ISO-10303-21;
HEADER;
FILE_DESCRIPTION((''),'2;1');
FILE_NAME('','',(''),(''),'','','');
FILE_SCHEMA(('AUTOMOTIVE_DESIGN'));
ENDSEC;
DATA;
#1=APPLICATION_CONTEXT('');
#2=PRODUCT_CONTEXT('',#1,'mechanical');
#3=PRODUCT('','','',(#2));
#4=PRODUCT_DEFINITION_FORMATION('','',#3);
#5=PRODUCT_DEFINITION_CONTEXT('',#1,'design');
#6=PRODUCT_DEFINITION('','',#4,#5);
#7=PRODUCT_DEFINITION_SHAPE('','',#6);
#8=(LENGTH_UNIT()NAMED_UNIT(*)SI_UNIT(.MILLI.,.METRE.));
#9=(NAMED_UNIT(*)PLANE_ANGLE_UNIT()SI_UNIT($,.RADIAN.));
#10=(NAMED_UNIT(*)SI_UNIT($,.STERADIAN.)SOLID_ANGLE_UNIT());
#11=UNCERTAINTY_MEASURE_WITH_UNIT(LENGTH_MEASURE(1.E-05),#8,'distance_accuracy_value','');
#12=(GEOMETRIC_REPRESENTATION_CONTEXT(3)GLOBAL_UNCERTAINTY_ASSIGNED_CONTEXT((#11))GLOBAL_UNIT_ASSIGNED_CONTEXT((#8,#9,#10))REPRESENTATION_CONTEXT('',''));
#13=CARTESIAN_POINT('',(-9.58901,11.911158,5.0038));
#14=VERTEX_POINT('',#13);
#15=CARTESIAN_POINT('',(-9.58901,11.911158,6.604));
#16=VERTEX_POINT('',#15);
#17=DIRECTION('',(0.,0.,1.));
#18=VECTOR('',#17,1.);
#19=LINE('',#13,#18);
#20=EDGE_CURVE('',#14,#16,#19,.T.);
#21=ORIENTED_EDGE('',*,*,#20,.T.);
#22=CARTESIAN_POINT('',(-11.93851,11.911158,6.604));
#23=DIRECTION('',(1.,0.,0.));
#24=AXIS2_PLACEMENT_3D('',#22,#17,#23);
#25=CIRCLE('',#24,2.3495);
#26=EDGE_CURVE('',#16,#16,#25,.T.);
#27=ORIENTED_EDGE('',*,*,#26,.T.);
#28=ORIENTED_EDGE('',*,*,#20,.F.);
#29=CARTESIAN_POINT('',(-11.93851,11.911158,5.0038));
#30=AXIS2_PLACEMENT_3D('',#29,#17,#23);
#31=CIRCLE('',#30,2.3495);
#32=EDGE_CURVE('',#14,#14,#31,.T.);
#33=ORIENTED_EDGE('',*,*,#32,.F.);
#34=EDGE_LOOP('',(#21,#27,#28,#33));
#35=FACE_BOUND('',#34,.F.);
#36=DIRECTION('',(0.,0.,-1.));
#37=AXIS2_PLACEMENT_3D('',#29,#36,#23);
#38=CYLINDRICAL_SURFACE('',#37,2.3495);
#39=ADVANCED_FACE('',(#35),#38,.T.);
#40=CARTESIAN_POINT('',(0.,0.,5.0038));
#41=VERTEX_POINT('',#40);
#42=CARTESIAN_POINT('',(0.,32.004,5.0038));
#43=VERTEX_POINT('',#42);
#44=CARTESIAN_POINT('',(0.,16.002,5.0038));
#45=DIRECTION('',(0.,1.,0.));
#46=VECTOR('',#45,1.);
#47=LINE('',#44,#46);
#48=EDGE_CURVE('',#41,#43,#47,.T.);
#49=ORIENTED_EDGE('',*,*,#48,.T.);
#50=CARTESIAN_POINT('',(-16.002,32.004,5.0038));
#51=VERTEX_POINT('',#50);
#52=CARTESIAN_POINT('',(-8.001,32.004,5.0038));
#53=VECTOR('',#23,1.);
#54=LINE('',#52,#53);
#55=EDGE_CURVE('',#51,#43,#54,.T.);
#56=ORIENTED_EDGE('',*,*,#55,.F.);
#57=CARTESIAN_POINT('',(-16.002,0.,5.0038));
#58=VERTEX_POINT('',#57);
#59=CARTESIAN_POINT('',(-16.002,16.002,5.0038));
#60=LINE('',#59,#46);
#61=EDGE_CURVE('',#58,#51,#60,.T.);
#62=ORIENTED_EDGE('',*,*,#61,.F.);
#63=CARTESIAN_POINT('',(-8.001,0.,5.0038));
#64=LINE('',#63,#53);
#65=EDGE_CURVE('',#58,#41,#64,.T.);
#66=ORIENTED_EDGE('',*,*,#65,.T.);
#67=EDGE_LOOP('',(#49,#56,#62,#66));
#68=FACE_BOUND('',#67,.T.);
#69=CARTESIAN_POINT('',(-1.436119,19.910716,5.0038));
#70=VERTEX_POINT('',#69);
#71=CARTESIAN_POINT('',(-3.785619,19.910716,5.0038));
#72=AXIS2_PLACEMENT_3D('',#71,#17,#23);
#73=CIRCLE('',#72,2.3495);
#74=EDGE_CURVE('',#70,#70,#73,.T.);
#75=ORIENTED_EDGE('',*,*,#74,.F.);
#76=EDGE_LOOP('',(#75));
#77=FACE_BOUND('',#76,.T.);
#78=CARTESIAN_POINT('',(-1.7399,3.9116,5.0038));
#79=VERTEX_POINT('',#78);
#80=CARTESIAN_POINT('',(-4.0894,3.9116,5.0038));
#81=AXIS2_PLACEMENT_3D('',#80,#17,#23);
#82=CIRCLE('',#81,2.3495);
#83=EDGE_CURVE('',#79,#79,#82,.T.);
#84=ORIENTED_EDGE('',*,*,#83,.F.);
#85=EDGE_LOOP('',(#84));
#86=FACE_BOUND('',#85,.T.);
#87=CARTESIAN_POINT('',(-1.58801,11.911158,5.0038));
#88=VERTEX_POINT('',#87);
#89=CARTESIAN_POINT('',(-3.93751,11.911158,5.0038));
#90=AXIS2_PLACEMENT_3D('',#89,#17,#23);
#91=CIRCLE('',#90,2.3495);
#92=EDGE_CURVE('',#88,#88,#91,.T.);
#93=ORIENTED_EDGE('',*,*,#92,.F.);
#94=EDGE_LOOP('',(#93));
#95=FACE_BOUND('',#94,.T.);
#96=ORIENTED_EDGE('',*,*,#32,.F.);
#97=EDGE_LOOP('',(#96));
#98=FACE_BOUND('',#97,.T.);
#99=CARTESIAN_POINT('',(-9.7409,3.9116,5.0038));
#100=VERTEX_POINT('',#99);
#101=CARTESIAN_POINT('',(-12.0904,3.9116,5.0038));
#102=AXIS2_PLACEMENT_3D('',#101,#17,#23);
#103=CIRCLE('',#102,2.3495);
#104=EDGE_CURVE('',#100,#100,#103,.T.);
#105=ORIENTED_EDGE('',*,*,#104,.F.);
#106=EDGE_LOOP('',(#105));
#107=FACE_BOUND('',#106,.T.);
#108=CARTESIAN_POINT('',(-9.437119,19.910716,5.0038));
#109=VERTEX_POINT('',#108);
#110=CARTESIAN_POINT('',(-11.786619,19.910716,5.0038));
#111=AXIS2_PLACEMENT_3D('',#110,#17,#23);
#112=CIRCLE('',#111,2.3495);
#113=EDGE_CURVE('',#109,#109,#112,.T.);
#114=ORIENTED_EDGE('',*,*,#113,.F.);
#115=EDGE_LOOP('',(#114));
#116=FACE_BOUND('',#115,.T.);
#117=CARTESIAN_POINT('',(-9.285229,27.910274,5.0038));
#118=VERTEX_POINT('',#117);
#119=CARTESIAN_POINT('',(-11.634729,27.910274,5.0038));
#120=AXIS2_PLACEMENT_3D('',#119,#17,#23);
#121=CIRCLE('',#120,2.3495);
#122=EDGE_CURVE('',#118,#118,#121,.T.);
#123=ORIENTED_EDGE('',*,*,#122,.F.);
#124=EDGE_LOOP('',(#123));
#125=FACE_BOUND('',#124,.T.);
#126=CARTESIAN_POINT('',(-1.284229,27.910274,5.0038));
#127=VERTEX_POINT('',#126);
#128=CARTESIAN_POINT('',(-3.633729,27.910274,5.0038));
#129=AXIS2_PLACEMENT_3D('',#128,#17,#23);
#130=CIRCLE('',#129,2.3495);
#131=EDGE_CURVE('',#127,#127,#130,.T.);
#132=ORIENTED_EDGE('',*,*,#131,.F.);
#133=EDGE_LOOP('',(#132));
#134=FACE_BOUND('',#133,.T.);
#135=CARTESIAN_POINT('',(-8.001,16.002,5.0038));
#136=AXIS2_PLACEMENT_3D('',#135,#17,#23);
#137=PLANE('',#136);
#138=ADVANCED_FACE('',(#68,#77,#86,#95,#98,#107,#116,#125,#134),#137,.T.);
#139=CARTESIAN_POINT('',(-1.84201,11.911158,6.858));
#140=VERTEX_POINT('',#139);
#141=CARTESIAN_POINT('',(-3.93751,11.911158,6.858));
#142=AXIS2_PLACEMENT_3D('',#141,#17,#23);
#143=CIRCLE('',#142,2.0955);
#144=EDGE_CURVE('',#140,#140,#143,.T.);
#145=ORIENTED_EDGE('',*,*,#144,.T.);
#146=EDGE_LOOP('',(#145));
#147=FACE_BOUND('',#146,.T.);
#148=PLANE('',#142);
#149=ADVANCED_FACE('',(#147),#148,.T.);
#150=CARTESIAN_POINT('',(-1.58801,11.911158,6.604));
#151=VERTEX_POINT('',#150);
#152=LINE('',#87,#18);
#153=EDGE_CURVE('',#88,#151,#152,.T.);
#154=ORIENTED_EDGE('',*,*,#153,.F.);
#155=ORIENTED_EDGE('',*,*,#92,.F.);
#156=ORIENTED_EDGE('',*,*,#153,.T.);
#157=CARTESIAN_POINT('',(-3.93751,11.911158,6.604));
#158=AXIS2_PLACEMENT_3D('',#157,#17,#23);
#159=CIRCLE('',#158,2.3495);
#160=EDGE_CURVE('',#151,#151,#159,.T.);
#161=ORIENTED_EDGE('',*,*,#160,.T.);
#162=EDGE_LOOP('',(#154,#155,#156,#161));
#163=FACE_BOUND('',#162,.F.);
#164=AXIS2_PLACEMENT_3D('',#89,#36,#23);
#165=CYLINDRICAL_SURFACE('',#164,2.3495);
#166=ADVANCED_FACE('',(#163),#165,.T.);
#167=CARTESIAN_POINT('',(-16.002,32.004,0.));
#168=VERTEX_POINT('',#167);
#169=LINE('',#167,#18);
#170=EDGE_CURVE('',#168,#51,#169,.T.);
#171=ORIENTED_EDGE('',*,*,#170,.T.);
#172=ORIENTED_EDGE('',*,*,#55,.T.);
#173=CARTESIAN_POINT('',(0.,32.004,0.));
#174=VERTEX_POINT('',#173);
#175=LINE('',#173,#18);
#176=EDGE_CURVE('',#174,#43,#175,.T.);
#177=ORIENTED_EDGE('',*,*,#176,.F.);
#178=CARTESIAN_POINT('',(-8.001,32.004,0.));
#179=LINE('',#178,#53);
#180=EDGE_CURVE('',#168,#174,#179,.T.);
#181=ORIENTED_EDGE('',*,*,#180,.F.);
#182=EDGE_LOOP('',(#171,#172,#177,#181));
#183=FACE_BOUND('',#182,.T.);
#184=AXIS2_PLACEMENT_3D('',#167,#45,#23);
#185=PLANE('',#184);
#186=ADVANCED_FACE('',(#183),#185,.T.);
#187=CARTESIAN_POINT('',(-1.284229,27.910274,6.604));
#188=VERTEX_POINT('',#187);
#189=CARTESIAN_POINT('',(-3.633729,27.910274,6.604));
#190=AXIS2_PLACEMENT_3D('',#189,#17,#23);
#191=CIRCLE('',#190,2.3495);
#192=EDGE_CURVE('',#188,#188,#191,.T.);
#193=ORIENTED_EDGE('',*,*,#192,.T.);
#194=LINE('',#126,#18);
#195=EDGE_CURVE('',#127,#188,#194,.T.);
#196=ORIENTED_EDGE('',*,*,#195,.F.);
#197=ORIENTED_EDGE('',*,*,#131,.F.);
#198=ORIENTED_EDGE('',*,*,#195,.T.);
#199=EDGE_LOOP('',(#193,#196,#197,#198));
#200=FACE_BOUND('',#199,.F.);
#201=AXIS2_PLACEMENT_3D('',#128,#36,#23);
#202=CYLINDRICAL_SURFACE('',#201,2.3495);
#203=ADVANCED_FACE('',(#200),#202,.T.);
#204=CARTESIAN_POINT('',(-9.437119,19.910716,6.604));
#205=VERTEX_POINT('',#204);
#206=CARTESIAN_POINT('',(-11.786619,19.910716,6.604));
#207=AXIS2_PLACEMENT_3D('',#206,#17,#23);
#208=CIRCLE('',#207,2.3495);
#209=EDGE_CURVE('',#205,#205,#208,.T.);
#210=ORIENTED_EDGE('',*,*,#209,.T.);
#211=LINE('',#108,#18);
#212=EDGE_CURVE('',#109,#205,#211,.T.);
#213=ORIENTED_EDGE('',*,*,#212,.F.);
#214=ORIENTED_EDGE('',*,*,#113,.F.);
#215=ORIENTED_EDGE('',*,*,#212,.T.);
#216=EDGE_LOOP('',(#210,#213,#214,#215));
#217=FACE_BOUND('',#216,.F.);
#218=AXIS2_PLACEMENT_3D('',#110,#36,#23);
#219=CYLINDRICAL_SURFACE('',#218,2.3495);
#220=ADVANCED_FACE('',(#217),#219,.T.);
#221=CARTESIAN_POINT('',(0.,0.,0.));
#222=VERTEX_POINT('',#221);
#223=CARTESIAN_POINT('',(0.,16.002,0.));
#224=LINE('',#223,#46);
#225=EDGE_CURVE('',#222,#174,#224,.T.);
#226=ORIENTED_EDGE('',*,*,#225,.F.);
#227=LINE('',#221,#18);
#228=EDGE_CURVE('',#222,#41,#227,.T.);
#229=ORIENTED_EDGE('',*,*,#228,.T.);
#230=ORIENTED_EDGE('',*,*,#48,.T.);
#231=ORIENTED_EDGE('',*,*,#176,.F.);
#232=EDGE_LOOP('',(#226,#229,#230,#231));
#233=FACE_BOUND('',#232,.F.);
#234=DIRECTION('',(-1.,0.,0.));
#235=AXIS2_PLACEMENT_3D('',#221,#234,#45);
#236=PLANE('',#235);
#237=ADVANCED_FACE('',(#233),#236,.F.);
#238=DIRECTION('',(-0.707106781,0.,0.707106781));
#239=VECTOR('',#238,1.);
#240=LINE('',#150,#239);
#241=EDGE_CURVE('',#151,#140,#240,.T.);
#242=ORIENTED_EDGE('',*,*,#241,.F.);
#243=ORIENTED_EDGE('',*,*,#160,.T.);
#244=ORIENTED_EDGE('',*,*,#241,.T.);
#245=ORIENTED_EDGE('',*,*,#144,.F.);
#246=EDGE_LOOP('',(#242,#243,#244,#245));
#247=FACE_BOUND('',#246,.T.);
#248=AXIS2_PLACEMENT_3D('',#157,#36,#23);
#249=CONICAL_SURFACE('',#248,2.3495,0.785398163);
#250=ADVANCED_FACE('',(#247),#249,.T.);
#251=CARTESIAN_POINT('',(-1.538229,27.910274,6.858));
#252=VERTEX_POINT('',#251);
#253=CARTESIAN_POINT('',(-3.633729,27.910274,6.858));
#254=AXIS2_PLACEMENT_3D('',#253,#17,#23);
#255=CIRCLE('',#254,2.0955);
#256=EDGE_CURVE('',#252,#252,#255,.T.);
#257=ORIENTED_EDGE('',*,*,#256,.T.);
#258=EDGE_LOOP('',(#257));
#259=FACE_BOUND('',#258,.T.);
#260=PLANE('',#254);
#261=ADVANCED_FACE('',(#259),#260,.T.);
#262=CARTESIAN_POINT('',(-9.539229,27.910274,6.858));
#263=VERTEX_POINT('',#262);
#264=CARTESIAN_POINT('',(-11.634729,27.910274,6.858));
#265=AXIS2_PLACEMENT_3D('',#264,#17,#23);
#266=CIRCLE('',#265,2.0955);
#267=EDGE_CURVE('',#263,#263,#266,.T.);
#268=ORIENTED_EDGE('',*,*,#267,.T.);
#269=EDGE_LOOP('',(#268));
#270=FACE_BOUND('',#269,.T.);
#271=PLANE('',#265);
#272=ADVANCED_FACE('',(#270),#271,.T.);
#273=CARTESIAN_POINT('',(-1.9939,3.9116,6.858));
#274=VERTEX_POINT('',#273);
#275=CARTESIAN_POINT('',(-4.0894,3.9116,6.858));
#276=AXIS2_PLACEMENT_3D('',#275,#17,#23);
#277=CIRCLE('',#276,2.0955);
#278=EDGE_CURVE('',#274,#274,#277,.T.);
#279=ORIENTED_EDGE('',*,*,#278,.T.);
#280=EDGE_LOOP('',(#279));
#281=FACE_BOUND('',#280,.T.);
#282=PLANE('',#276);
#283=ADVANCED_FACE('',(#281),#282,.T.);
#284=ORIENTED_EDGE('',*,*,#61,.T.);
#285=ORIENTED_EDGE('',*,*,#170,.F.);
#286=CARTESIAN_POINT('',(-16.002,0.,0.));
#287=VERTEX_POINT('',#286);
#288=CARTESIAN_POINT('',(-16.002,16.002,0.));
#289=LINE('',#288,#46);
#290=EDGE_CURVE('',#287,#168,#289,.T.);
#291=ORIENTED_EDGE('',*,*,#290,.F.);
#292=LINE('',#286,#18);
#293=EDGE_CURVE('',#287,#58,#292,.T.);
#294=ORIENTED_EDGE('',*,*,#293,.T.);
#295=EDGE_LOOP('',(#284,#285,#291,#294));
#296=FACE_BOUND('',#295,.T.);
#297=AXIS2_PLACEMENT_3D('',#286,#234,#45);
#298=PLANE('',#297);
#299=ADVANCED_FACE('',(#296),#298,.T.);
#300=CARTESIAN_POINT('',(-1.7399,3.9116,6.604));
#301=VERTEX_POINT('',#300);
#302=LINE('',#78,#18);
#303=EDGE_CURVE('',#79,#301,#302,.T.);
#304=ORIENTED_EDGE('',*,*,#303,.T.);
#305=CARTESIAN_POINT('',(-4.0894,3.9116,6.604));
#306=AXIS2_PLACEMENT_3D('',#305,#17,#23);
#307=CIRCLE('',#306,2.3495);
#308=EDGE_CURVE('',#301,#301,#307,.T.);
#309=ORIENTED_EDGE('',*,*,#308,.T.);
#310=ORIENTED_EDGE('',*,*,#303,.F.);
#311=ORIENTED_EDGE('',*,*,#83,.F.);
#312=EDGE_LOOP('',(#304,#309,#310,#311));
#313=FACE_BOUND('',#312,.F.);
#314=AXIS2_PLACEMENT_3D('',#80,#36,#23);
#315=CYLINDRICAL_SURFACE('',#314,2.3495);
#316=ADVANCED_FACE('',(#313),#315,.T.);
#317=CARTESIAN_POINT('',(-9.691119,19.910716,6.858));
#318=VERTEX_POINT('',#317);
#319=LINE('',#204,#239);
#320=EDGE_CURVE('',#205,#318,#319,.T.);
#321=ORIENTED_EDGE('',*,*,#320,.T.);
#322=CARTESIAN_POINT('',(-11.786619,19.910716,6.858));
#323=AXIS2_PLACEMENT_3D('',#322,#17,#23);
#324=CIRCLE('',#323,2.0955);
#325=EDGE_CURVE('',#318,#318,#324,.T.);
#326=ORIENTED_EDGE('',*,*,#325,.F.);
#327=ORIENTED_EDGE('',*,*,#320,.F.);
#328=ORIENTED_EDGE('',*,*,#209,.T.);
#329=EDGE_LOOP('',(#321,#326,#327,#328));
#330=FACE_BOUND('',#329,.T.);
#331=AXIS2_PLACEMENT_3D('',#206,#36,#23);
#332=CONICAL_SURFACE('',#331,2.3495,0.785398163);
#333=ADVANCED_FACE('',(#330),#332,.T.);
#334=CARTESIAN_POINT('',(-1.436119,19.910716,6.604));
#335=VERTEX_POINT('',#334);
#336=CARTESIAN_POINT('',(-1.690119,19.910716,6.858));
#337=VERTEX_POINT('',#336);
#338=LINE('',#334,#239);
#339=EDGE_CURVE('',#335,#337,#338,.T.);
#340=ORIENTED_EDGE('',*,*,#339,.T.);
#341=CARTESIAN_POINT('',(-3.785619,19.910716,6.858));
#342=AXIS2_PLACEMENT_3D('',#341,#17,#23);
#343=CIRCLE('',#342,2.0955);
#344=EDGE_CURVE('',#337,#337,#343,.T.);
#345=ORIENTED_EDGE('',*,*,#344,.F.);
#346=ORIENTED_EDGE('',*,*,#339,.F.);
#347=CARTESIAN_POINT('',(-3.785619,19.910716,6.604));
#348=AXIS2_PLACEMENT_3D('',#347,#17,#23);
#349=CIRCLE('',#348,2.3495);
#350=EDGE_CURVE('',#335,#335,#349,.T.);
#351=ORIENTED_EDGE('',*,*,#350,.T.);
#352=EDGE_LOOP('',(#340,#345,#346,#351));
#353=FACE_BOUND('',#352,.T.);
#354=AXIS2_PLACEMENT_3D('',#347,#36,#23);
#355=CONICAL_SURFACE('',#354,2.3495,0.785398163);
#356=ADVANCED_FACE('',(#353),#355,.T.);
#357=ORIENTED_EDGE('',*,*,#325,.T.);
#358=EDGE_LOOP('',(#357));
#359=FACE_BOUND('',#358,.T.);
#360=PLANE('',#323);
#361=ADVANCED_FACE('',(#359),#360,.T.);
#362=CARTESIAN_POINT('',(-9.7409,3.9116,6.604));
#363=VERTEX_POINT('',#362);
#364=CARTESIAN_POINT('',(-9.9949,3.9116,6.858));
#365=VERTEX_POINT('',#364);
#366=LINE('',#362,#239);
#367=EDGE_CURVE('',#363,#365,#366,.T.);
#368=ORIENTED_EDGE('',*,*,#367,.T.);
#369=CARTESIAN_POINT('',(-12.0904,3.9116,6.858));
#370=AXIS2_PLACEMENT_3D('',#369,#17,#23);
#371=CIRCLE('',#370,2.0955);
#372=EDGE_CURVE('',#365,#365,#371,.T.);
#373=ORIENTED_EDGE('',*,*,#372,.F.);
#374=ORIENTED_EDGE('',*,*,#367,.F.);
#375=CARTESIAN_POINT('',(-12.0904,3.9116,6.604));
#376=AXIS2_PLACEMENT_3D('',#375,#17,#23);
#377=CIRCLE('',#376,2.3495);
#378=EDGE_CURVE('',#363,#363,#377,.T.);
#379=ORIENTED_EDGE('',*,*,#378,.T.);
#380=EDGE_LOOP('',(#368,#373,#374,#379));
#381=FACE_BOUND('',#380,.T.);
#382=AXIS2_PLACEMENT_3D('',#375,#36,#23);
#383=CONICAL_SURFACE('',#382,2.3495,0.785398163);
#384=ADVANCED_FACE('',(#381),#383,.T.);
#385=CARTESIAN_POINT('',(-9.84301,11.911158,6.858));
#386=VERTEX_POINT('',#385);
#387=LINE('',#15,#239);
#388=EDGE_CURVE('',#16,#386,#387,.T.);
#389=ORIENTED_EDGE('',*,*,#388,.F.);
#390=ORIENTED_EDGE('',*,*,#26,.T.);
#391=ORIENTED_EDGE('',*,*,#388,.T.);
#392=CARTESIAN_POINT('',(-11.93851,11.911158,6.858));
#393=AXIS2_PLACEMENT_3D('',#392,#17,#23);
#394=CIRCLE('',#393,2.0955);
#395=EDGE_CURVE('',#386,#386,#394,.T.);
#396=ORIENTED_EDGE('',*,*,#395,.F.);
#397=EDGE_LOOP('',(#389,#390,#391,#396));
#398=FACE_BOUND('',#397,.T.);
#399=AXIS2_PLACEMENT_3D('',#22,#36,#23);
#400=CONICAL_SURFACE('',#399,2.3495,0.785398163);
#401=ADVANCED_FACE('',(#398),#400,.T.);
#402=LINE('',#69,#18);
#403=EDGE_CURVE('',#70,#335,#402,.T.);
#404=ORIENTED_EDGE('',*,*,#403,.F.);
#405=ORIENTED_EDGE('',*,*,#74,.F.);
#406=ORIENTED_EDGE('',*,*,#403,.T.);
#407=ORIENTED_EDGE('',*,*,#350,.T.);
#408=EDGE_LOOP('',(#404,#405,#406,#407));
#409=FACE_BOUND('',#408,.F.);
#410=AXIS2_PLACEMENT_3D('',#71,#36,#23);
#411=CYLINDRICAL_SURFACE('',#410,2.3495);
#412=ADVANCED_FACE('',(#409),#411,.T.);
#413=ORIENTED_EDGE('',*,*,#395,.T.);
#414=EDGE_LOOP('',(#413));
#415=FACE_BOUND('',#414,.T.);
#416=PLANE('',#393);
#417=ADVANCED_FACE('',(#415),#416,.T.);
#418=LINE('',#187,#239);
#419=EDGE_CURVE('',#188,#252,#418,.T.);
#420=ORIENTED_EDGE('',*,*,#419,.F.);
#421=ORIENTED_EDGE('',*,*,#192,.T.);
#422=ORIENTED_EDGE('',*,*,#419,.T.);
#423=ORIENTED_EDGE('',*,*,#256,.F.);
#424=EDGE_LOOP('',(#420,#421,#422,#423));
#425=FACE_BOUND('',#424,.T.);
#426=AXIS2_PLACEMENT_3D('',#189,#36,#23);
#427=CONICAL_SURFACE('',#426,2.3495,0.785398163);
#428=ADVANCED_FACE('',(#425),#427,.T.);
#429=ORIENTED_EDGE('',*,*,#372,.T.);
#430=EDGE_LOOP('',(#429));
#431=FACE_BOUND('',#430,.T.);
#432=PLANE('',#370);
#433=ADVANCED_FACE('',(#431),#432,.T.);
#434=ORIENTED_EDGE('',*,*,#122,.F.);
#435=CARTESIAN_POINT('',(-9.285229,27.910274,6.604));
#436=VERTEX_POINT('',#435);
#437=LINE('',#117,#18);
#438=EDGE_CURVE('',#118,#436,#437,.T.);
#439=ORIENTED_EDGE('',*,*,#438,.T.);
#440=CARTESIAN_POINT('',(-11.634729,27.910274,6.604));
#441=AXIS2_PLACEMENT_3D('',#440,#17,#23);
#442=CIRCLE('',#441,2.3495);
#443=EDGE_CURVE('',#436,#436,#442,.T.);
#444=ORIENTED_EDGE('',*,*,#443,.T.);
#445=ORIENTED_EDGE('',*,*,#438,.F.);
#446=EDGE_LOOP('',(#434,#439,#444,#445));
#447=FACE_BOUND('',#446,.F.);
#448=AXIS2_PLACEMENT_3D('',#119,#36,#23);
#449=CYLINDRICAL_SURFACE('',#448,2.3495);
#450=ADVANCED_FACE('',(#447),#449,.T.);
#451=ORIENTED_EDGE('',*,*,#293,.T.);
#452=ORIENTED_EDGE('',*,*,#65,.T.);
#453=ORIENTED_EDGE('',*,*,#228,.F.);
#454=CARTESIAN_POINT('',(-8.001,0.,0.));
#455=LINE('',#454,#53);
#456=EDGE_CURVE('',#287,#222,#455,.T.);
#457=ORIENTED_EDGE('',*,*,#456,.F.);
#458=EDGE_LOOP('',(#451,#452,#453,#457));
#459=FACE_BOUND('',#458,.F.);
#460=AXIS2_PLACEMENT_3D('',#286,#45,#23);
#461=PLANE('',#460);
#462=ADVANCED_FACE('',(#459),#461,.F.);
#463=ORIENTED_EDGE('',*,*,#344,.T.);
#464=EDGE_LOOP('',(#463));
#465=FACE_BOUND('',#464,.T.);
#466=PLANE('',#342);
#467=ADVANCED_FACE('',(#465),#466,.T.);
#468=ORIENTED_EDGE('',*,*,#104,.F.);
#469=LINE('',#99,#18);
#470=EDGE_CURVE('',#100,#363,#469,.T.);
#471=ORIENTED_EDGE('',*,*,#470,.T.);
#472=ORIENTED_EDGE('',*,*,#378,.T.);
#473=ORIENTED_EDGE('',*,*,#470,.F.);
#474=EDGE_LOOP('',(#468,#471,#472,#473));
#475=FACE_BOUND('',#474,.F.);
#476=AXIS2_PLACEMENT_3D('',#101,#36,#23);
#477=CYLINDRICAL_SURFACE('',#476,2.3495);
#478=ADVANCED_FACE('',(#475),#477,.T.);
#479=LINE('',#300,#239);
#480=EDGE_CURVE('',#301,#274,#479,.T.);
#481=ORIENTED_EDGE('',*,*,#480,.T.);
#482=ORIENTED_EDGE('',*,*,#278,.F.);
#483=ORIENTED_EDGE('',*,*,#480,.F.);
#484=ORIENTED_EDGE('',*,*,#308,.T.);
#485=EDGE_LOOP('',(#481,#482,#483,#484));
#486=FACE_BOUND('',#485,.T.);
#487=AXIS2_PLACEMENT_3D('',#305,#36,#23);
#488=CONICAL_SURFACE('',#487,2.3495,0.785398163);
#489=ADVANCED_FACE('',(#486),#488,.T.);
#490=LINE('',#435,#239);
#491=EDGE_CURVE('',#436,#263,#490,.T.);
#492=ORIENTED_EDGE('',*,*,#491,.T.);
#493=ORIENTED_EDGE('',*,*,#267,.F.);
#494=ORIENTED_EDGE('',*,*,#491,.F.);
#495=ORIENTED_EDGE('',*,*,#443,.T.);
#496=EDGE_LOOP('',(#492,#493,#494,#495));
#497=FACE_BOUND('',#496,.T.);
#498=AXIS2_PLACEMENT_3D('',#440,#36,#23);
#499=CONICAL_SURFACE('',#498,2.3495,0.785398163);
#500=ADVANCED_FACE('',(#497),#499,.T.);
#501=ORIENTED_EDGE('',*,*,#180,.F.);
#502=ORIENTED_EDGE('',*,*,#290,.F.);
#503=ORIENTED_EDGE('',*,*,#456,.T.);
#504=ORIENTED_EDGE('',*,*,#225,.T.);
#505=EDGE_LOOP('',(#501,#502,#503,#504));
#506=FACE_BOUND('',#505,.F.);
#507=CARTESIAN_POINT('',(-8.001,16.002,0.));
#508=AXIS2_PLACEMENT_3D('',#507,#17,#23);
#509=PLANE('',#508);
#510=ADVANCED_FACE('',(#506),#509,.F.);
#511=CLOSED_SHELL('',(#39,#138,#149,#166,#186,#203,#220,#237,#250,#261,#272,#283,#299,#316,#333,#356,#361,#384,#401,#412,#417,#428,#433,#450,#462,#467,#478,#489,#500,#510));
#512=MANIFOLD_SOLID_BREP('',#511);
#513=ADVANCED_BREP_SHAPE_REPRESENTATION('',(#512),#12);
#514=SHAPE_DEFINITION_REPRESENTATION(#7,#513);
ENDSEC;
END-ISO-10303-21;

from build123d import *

# Parameters (mm, degrees)
F0_W     = 16.002
F0_H     = 32.004
F1_DEPTH = 5.0038
F2_R     = 2.3495
F3_DEPTH = 1.8542
F4_SIZE  = 0.254


with BuildPart() as f1:
    # F0 (on Top) → F1 (new body)
    with BuildSketch(Plane.XY):
        with Locations((-8.001, 16.002)):
            Rectangle(F0_W, F0_H)
    extrude(amount=F1_DEPTH)

    # F2 (on face) → F3 (join)
    with BuildSketch(Plane.XY.offset(5.0038)):
        with Locations((-12.0904, 3.9116)):
            Circle(F2_R)
        with Locations((-11.93851, 11.911158)):
            Circle(F2_R)
        with Locations((-11.634729, 27.910274)):
            Circle(F2_R)
        with Locations((-4.0894, 3.9116)):
            Circle(F2_R)
        with Locations((-3.93751, 11.911158)):
            Circle(F2_R)
        with Locations((-3.785619, 19.910716)):
            Circle(F2_R)
        with Locations((-11.786619, 19.910716)):
            Circle(F2_R)
        with Locations((-3.633729, 27.910274)):
            Circle(F2_R)
    extrude(amount=F3_DEPTH)

    # F4
    f4_edges = [f1.edges().sort_by_distance(p)[0] for p in [
        (-14.4399, 3.9116, 6.858),
        (-14.28801, 11.911158, 6.858),
        (-14.136119, 19.910716, 6.858),
        (-13.984229, 27.910274, 6.858),
        (-5.983229, 27.910274, 6.858),
        (-6.135119, 19.910716, 6.858),
        (-6.28701, 11.911158, 6.858),
        (-6.4389, 3.9116, 6.858),
    ]]
    chamfer(f4_edges, length=F4_SIZE)


solid = f1.part
